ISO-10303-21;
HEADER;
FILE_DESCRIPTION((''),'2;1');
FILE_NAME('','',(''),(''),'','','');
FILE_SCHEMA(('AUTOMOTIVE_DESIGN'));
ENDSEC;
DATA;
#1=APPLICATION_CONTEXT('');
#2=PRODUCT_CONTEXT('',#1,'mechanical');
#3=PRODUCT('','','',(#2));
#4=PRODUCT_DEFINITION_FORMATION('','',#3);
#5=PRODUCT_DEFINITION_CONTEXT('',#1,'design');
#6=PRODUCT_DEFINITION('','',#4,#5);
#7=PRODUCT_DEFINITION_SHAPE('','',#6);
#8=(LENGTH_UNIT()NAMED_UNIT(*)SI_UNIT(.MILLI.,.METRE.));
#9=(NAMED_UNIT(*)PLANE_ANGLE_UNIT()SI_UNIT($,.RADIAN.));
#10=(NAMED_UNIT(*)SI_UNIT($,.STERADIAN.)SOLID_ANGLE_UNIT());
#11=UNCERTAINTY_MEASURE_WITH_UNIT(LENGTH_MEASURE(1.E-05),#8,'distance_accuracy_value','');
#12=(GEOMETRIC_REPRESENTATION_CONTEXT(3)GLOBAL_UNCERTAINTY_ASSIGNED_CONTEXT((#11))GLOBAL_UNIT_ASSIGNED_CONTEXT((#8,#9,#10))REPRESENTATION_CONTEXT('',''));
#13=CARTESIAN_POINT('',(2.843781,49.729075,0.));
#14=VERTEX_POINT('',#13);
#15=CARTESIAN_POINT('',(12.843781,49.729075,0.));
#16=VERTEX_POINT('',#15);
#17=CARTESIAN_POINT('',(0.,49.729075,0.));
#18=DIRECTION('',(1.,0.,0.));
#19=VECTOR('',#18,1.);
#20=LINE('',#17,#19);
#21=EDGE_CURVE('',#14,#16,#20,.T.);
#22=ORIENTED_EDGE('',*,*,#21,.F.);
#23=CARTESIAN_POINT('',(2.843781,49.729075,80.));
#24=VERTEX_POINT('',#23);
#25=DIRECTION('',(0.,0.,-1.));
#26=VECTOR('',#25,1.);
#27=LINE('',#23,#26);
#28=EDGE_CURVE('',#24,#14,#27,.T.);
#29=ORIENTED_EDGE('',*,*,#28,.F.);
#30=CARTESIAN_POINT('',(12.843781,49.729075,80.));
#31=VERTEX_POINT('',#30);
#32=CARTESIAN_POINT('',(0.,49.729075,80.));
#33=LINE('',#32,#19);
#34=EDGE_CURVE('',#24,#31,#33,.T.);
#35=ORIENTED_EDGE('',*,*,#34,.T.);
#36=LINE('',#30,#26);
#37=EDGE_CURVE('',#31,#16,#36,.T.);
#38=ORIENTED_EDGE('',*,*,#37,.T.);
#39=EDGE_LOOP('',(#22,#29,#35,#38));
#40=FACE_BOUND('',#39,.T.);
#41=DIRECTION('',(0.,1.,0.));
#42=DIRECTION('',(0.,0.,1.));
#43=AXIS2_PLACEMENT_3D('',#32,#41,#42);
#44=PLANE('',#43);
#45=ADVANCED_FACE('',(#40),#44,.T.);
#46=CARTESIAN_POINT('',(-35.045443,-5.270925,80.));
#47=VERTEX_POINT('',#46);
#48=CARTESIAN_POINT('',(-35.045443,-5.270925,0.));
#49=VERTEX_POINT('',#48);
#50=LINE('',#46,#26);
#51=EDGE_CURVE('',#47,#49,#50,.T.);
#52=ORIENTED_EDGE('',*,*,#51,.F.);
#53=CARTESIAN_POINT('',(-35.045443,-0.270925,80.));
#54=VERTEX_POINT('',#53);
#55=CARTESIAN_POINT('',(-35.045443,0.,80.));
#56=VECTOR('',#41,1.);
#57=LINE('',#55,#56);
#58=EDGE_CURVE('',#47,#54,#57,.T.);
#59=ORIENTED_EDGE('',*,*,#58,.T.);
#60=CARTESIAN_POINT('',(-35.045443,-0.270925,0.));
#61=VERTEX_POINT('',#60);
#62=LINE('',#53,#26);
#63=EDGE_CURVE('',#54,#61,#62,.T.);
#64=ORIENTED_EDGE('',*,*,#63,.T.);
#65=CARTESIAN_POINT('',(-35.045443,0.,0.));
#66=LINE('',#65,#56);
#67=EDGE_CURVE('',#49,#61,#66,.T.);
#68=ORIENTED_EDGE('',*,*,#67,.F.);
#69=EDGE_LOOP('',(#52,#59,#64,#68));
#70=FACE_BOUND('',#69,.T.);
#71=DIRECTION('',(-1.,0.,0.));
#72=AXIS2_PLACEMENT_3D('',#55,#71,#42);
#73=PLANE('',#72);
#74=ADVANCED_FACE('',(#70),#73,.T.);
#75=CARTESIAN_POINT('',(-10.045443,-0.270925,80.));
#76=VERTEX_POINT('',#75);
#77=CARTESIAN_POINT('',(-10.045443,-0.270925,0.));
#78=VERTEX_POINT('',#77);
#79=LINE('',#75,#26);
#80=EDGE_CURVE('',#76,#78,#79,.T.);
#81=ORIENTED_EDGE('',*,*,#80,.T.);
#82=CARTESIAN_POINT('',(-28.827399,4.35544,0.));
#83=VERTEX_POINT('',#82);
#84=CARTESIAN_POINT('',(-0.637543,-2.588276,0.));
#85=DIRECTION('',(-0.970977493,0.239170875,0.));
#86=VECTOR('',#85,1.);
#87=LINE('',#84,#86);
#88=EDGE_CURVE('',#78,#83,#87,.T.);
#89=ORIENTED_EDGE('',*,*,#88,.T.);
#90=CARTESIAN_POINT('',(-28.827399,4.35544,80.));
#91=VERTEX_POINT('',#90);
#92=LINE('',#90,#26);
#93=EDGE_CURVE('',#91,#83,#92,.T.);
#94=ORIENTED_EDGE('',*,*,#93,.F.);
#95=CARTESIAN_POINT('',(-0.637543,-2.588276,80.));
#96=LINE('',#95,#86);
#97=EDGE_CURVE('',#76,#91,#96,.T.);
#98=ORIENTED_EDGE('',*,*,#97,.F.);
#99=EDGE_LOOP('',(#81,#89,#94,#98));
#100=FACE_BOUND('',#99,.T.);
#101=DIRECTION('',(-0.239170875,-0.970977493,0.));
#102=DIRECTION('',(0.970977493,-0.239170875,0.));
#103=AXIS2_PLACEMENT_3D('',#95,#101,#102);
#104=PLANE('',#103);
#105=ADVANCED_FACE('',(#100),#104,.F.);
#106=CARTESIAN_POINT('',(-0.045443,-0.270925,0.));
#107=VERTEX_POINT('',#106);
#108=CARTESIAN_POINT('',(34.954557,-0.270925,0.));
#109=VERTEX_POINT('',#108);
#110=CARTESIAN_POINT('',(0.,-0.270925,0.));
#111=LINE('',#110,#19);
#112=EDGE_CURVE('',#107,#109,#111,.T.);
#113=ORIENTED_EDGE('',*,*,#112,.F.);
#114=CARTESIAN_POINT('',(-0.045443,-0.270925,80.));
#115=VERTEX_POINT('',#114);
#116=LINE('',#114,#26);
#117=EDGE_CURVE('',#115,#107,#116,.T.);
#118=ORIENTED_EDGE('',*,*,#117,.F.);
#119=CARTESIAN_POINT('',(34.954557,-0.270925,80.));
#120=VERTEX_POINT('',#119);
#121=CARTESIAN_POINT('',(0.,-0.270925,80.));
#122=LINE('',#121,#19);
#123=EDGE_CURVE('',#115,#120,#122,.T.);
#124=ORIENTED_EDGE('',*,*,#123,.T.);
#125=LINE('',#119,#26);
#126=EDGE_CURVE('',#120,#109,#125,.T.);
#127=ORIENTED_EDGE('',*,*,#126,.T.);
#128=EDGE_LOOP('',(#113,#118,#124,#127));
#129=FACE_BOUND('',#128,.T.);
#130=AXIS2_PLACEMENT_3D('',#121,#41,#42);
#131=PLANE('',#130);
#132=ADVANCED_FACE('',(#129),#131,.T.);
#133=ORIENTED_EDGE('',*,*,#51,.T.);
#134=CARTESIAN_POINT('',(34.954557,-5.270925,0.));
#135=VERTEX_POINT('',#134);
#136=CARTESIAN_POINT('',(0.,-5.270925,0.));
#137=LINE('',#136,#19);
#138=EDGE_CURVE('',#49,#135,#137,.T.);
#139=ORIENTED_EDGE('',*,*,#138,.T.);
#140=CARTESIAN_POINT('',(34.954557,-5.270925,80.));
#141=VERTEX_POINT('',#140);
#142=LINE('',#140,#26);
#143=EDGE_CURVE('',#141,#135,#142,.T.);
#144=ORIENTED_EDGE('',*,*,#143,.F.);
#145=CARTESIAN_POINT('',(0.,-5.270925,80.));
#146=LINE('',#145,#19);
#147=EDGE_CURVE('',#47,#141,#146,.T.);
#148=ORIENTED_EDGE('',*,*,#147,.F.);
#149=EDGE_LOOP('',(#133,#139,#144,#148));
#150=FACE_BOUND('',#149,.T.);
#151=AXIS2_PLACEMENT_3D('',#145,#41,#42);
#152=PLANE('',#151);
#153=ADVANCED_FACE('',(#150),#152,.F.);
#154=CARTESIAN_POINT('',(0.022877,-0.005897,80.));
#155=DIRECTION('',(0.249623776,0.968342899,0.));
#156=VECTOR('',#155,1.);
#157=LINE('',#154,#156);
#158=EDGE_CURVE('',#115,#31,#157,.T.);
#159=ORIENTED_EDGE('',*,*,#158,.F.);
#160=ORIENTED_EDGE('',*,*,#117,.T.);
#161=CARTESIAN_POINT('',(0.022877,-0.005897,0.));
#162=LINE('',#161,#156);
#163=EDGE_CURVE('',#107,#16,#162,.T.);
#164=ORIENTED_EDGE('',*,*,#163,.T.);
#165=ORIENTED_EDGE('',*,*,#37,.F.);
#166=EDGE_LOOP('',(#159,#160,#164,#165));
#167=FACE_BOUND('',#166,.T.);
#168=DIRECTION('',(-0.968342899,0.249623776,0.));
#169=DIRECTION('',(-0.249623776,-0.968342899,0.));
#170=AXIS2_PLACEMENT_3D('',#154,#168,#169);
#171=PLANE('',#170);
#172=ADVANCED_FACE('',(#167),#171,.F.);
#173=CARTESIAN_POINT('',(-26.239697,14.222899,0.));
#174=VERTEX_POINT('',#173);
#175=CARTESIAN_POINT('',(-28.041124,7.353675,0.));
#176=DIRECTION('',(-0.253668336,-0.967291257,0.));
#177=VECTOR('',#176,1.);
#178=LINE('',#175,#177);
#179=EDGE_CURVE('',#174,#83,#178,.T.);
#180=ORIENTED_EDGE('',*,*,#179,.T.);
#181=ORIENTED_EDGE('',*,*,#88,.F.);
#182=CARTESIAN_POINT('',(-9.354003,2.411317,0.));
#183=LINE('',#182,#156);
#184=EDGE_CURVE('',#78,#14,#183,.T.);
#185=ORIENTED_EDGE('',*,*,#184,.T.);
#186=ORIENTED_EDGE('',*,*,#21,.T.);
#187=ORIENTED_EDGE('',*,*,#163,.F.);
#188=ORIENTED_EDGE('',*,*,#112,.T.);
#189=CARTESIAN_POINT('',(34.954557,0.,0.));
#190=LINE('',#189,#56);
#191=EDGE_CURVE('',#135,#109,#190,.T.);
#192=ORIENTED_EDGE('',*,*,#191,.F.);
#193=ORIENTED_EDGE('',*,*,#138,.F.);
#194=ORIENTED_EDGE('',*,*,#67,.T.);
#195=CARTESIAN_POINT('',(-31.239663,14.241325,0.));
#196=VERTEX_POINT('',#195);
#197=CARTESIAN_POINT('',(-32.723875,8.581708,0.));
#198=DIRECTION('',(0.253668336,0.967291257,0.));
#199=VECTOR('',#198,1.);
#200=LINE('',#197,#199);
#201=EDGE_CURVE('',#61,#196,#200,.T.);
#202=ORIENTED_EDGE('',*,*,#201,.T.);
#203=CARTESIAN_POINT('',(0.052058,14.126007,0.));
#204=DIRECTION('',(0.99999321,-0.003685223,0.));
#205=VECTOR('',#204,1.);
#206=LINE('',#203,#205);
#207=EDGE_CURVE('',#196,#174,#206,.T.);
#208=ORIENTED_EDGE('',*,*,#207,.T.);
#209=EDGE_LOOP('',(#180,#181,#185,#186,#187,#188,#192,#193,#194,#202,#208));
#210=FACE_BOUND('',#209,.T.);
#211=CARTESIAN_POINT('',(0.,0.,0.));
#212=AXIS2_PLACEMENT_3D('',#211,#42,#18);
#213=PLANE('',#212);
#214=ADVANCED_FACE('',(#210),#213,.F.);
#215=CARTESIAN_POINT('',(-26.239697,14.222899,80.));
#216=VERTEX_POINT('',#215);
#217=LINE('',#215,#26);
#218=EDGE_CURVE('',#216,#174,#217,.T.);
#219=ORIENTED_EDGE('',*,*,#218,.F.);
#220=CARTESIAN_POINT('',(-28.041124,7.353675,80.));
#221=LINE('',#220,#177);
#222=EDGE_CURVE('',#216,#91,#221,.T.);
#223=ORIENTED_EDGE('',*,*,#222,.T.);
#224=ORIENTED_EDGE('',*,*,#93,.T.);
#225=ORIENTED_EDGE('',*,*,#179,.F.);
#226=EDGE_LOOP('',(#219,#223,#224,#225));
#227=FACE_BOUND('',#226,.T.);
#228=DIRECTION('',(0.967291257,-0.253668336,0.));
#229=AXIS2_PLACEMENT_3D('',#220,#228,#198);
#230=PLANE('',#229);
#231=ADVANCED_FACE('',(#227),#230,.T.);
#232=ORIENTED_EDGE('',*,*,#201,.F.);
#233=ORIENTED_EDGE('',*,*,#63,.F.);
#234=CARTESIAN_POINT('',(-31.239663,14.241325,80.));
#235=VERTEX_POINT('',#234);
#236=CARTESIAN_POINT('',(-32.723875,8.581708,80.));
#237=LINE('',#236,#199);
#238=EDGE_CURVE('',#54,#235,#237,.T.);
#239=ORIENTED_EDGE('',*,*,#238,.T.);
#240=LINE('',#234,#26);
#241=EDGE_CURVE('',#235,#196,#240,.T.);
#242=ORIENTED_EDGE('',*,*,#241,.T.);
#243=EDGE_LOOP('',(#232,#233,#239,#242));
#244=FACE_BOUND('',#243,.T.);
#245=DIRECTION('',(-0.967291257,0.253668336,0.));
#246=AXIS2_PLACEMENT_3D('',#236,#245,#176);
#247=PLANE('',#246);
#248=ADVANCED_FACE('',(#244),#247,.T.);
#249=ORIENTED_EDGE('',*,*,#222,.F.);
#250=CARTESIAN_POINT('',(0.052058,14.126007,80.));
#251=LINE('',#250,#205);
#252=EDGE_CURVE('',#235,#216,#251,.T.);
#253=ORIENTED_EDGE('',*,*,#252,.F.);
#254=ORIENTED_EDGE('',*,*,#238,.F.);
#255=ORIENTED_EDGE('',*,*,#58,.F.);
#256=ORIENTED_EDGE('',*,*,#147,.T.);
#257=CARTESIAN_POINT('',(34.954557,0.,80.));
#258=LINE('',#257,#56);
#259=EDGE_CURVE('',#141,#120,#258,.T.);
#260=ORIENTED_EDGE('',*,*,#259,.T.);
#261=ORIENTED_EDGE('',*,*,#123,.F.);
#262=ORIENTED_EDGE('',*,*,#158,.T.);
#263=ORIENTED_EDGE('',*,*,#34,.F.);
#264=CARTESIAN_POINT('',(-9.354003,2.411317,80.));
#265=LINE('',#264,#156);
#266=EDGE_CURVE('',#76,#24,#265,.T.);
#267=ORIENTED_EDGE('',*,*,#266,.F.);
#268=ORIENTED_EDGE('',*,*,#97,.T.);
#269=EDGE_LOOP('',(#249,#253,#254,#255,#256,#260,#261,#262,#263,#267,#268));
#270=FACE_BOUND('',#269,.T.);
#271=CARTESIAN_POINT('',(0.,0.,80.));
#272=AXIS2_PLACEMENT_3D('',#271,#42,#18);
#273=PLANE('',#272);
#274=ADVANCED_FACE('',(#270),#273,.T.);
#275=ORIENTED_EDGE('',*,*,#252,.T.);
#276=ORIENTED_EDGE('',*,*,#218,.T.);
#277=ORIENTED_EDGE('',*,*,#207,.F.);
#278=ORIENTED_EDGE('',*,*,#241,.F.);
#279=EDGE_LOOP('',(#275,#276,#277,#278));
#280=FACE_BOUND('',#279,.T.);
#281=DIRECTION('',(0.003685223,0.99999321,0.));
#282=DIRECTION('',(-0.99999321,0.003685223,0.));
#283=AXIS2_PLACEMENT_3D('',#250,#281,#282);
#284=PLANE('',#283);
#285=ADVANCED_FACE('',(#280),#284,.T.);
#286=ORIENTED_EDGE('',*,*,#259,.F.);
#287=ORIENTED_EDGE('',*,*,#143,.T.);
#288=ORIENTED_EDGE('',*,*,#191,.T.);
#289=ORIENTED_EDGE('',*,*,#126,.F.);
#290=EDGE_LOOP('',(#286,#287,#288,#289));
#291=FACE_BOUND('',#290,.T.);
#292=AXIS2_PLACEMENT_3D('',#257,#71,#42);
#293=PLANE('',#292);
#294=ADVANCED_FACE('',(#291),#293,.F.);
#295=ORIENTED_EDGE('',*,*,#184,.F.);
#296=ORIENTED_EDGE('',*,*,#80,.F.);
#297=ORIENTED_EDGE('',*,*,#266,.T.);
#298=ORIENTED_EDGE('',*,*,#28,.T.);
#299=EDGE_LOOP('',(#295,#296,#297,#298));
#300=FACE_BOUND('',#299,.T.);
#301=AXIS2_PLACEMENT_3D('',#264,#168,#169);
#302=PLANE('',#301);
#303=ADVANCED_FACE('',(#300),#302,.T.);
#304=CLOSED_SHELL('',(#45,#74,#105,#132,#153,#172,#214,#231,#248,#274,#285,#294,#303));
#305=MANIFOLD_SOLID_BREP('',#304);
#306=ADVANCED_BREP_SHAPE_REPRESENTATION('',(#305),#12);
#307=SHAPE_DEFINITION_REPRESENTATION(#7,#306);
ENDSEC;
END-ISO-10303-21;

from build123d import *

# Parameters (mm, degrees)
EXTRUDE_4_DEPTH = 80


with BuildPart() as part:
    # 草圖1 → 填料-伸長4 (new body)
    with BuildSketch(Plane.XY):
        Polygon((-0.045443236, -0.270925117), (-10.045443236, -0.270925117), (-35.045443236, -0.270925117), (-35.045443236, -5.270925117), (34.954556764, -5.270925117), (34.954556764, -0.270925117), align=None)
        Polygon((2.843781018, 49.729074883), (-10.045443236, -0.270925117), (-0.045443236, -0.270925117), (12.843781018, 49.729074883), align=None)
        Polygon((-35.045443236, -0.270925117), (-10.045443236, -0.270925117), (-28.827398823, 4.355440349), (-26.239696609, 14.22289864), (-31.239662656, 14.241324755), align=None)
    extrude(amount=EXTRUDE_4_DEPTH)


solid = part.part
